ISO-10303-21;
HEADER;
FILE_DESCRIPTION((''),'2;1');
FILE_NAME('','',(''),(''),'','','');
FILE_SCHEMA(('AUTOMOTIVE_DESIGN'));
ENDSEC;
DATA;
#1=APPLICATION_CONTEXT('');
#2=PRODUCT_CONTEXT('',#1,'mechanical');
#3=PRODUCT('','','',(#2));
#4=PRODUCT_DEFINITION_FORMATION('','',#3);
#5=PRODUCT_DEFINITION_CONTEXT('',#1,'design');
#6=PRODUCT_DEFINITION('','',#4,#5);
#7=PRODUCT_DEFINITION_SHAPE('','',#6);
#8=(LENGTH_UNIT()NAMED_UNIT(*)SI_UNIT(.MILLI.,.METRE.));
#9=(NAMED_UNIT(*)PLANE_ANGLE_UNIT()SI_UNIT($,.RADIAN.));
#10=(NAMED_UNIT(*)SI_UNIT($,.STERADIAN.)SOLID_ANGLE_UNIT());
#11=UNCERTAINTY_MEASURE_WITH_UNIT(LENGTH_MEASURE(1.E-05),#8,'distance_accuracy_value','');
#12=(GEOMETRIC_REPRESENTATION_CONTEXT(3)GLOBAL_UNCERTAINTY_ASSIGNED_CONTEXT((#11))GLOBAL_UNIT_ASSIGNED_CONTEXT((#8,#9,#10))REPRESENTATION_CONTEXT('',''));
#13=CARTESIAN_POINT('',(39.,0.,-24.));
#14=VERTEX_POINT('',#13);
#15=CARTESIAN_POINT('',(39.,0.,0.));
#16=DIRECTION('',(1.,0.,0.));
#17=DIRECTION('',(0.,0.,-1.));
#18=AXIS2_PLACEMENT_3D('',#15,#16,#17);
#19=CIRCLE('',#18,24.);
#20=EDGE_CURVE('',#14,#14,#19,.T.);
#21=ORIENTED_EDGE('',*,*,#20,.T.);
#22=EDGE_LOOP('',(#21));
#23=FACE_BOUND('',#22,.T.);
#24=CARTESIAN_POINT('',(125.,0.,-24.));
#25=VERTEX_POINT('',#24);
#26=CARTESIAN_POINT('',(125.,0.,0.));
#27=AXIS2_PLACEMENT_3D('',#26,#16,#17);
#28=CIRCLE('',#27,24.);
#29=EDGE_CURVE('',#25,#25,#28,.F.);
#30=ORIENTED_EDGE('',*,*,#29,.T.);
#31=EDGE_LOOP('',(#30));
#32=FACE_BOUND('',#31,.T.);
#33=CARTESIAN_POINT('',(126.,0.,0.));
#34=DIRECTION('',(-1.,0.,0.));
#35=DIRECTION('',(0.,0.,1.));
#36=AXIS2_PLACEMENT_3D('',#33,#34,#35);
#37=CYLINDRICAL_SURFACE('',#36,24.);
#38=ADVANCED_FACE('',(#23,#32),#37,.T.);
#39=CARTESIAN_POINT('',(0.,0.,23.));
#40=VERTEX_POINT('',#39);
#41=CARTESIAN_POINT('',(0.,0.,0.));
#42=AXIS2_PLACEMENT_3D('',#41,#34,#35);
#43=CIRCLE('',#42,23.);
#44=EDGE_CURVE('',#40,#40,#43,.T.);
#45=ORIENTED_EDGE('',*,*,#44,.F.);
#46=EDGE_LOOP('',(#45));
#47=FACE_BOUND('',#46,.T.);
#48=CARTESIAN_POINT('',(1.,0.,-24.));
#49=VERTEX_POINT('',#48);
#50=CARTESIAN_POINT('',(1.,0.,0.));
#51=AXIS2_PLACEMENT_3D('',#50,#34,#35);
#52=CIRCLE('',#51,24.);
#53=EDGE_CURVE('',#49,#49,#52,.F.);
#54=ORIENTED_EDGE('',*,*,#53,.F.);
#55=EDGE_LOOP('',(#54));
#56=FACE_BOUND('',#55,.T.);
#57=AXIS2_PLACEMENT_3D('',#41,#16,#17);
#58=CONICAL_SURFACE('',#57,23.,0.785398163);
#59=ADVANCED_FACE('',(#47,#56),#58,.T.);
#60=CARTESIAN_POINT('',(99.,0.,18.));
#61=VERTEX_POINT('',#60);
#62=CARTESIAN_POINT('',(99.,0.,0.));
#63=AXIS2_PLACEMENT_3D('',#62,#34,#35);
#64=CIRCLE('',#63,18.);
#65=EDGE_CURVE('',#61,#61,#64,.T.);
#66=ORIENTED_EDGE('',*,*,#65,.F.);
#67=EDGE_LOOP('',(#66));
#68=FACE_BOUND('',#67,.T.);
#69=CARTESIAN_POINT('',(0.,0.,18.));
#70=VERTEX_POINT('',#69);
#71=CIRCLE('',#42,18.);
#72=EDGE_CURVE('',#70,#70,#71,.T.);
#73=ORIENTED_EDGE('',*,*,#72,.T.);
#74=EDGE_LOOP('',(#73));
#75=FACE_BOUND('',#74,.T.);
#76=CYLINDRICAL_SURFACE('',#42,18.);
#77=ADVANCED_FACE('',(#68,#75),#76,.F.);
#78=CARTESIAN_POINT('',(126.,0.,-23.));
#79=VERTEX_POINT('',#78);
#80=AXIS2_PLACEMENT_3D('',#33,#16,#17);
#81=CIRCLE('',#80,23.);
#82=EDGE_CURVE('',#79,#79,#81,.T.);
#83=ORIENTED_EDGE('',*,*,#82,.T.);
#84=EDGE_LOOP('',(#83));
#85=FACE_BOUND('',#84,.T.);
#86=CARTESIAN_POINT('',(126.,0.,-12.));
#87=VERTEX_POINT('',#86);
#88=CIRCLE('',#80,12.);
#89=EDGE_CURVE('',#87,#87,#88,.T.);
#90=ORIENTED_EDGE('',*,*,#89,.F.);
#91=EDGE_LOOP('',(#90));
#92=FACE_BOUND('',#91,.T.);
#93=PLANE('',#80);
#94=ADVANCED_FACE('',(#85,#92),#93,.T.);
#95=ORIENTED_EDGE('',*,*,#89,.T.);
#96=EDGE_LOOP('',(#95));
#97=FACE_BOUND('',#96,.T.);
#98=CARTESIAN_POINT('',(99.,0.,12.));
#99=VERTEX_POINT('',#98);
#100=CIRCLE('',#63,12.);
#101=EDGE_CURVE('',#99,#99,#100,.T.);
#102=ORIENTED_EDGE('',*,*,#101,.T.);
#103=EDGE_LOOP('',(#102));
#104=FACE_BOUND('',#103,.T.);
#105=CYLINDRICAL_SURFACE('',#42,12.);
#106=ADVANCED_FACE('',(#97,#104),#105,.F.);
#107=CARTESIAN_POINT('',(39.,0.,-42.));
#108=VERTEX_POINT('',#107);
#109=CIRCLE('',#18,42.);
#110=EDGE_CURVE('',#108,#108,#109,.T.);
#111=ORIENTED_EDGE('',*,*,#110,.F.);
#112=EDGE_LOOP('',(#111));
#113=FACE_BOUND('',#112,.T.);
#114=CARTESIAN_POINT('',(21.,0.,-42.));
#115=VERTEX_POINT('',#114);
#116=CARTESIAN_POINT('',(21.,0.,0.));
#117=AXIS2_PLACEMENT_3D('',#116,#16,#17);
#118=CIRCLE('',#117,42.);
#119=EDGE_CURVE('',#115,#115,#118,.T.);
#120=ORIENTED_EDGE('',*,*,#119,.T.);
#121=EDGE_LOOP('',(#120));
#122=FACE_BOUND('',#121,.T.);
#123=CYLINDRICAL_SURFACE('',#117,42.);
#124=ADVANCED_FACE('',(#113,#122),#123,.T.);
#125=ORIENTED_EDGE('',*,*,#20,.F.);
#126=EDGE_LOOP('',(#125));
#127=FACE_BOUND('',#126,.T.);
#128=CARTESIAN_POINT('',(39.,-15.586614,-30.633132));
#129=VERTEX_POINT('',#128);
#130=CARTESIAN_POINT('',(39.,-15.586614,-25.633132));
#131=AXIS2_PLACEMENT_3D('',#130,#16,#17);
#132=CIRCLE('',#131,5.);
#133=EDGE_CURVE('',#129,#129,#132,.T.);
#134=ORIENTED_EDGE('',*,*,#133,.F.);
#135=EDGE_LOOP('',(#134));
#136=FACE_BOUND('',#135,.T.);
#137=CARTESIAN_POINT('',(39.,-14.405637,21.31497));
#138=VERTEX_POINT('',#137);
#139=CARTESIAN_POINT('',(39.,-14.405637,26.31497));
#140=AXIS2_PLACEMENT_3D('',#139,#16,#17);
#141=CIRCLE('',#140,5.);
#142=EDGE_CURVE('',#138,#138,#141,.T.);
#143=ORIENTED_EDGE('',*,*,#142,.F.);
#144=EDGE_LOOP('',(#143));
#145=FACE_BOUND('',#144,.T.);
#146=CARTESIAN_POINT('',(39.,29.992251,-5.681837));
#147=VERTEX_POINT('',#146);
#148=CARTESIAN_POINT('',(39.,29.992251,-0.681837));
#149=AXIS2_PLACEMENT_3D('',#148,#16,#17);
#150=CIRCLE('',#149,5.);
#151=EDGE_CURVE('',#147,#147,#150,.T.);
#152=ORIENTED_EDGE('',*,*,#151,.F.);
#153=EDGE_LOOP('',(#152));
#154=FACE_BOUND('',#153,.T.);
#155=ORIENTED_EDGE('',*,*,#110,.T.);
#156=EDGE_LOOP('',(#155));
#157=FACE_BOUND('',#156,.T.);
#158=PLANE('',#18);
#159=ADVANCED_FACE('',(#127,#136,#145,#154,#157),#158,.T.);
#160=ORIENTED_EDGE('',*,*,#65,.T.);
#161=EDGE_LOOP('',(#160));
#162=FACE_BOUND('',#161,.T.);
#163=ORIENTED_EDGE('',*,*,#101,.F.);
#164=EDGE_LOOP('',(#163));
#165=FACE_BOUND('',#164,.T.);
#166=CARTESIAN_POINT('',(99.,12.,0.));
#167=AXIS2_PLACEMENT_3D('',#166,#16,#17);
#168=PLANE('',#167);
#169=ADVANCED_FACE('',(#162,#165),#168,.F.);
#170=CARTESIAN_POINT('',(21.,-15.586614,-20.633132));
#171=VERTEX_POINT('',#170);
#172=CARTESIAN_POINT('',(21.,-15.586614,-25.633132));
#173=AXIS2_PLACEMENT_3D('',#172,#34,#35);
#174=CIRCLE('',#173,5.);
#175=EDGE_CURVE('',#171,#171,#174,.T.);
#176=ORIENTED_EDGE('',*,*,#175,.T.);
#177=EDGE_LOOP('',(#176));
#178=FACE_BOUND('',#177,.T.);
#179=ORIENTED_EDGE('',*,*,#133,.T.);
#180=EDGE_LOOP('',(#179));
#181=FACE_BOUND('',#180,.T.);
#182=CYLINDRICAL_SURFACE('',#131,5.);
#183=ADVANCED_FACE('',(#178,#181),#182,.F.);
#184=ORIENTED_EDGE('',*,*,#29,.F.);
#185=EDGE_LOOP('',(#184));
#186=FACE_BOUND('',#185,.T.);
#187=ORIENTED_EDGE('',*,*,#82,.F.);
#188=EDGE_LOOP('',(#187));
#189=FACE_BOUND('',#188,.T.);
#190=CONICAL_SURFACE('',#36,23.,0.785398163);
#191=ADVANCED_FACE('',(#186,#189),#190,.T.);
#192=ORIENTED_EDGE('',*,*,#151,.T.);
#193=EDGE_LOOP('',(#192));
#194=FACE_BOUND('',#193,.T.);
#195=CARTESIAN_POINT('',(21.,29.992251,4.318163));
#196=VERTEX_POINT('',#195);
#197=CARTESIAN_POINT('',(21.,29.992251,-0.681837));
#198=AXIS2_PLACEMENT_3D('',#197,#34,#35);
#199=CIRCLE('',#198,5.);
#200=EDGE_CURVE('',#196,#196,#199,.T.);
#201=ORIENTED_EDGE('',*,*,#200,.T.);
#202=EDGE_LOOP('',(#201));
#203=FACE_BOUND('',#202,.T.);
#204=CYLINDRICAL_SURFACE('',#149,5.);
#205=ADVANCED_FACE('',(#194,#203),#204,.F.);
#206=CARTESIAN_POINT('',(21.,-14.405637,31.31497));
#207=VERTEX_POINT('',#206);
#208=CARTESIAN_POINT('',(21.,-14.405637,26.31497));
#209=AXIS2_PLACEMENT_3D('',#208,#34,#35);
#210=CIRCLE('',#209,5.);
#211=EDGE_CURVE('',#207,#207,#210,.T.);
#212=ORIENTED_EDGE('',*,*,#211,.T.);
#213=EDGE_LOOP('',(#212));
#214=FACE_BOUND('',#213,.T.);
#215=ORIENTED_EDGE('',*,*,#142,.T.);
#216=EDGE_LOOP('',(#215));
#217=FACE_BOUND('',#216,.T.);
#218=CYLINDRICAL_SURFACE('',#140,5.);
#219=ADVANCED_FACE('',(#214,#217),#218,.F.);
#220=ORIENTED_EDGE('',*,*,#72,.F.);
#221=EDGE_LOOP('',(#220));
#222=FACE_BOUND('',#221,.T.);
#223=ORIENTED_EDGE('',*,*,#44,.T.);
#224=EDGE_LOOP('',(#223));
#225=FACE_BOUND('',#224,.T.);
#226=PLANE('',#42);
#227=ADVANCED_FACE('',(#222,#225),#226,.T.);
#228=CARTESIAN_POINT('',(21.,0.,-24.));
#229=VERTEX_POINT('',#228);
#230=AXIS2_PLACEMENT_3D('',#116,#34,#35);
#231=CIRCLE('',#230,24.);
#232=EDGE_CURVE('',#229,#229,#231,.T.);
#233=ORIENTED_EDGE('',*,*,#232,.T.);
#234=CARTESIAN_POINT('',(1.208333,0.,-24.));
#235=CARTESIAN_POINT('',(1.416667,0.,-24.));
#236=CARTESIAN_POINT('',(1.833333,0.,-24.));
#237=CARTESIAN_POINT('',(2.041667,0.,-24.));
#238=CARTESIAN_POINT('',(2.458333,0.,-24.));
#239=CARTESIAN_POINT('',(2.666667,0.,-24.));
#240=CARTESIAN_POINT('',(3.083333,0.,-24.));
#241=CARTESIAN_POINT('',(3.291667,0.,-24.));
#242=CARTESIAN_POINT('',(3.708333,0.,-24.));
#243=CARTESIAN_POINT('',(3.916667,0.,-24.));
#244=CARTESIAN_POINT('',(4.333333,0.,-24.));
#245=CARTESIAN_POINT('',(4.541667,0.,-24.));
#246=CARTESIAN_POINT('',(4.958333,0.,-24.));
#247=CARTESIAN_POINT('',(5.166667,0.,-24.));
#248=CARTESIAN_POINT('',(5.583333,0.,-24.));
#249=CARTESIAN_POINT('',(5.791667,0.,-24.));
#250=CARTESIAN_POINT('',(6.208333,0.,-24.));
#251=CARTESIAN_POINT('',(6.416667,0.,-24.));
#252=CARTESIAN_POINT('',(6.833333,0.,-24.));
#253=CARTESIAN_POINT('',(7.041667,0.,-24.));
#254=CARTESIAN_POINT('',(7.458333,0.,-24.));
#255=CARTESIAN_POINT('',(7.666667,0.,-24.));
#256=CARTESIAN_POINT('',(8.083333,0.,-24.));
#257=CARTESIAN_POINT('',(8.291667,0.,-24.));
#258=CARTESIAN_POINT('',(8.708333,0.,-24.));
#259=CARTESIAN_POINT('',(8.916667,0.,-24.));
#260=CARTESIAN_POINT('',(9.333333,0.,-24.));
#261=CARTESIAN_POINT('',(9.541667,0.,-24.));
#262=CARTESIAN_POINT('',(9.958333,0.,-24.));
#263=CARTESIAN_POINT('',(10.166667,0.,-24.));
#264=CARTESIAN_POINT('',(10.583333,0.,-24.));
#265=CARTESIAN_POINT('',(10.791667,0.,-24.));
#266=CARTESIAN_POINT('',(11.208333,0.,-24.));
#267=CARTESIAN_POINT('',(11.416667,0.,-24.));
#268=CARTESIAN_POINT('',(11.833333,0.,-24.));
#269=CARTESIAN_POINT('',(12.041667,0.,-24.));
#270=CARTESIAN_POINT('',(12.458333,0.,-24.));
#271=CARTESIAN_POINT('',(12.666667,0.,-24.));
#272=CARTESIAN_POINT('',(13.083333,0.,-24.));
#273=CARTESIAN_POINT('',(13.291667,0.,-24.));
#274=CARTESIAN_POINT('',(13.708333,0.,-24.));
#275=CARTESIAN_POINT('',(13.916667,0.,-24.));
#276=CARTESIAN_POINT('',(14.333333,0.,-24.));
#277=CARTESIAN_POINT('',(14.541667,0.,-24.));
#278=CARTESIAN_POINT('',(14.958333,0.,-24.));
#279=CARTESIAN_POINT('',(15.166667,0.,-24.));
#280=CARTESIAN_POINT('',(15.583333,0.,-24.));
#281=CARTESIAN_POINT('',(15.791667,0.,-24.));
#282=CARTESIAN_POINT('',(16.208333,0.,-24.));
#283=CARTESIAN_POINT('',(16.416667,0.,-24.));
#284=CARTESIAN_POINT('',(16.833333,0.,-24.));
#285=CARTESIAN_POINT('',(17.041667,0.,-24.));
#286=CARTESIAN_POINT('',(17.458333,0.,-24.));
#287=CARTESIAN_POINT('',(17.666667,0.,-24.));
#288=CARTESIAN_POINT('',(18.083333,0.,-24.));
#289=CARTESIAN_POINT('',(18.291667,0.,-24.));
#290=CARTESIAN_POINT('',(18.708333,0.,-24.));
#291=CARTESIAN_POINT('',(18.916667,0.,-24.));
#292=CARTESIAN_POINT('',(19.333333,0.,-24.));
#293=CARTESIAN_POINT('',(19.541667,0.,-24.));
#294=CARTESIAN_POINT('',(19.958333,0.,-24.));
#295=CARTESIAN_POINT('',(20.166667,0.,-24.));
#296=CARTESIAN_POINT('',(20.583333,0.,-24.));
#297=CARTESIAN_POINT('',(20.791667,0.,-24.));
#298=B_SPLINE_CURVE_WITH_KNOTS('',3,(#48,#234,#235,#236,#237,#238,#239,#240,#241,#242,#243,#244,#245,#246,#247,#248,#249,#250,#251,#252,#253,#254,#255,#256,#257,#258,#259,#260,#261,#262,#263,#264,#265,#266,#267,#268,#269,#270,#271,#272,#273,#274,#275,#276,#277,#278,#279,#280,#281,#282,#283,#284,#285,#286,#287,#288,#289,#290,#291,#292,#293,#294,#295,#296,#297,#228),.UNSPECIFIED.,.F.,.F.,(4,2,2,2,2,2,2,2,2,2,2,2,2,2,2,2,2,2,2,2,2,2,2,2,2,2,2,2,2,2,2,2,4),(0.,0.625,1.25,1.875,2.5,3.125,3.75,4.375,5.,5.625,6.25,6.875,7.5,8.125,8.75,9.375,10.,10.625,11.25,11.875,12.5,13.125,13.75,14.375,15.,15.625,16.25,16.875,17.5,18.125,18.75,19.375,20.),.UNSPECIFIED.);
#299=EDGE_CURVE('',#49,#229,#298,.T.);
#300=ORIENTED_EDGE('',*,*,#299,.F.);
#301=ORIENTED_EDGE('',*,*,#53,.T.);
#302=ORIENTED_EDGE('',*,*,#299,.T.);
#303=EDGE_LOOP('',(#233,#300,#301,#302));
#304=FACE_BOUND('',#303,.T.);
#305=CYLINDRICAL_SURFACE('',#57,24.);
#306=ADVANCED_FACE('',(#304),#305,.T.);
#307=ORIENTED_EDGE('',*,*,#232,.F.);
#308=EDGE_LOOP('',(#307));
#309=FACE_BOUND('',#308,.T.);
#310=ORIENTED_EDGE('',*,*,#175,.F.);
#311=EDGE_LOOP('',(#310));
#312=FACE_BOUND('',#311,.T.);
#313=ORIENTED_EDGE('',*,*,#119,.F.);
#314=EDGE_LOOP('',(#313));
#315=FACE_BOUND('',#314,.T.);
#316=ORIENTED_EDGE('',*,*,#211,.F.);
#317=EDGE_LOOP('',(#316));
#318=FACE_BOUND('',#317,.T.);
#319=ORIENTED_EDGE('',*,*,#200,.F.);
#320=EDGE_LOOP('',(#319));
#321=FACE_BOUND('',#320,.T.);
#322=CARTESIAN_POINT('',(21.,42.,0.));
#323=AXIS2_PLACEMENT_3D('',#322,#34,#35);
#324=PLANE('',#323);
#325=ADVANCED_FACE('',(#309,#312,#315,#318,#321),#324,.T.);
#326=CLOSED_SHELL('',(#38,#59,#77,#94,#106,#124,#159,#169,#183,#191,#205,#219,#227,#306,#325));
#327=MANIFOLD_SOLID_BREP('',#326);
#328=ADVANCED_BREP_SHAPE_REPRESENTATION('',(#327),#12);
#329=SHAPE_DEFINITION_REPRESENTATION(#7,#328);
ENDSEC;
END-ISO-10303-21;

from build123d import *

# Parameters (mm, degrees)
ESQUISSE1_W                      = 18
ESQUISSE1_H                      = 42
ESQUISSE2_R                      = 24
EXTRUSION1_DEPTH                 = 21
EXTRUSION2_START                 = 87
ESQUISSE3_R                      = 24
EXTRUSION2_DEPTH                 = 87
DIAM_TRE_DU_PER_AGE_M10_0_10_1_D = 10
DIAM_TRE_DU_PER_AGE_M10_0_10_2_D = 10
DIAM_TRE_DU_PER_AGE_M10_0_10_3_D = 10
PER_AGE1_D                       = 24
PER_AGE1_CBORE_D                 = 36
PER_AGE1_CBORE_DEPTH             = 99
CHANFREIN1_SIZE                  = 1


with BuildPart() as part:
    # Esquisse1 → Révolution1 (revolve)
    with BuildSketch(Plane.XY, mode=Mode.PRIVATE) as r_volution1_sk:
        with Locations((30, 21)):
            Rectangle(ESQUISSE1_W, ESQUISSE1_H)
    revolve(r_volution1_sk.sketch.rotate(Axis((21, 0, 0), (1, 0, 0)), 270), axis=Axis((21, 0, 0), (1, 0, 0)))

    # Esquisse2 → Extrusion1 (add)
    with BuildSketch(Plane.ZY.offset(-21)):
        with Locations(Location((0, 0, 0), (0, 0, 180))):
            Circle(ESQUISSE2_R)
    extrude(amount=EXTRUSION1_DEPTH)

    # Esquisse3 → Extrusion2 (add)
    with BuildSketch(Plane(origin=(39, 0, 0), x_dir=(0, 0, -1), z_dir=(1, 0, 0)).offset(EXTRUSION2_START)):
        Circle(ESQUISSE3_R)
    extrude(amount=-EXTRUSION2_DEPTH)

    # Diamètre du perçage M10.0 (10)1 (through all)
    with Locations(Plane(origin=(39, 0, 0), x_dir=(0, 0, -1), z_dir=(1, 0, 0))):
        with Locations((25.633132295, -15.586613768)):
            Hole(DIAM_TRE_DU_PER_AGE_M10_0_10_1_D / 2)

    # Diamètre du perçage M10.0 (10)2 (through all)
    with Locations(Plane(origin=(39, 0, 0), x_dir=(0, 0, -1), z_dir=(1, 0, 0))):
        with Locations((0.681837335, 29.99225063)):
            Hole(DIAM_TRE_DU_PER_AGE_M10_0_10_2_D / 2)

    # Diamètre du perçage M10.0 (10)3 (through all)
    with Locations(Plane(origin=(39, 0, 0), x_dir=(0, 0, -1), z_dir=(1, 0, 0))):
        with Locations((-26.31496963, -14.405636862)):
            Hole(DIAM_TRE_DU_PER_AGE_M10_0_10_3_D / 2)

    # Perçage1 (through all)
    with Locations(Plane.ZY):
        with Locations((0, 0)):
            CounterBoreHole(PER_AGE1_D / 2, PER_AGE1_CBORE_D / 2, PER_AGE1_CBORE_DEPTH)

    # Chanfrein1
    chanfrein1_edges = [part.edges().sort_by_distance(p)[0] for p in [
        (126, 0, 24),
        (0, 0, 24),
    ]]
    chamfer(chanfrein1_edges, length=CHANFREIN1_SIZE)


solid = part.part
